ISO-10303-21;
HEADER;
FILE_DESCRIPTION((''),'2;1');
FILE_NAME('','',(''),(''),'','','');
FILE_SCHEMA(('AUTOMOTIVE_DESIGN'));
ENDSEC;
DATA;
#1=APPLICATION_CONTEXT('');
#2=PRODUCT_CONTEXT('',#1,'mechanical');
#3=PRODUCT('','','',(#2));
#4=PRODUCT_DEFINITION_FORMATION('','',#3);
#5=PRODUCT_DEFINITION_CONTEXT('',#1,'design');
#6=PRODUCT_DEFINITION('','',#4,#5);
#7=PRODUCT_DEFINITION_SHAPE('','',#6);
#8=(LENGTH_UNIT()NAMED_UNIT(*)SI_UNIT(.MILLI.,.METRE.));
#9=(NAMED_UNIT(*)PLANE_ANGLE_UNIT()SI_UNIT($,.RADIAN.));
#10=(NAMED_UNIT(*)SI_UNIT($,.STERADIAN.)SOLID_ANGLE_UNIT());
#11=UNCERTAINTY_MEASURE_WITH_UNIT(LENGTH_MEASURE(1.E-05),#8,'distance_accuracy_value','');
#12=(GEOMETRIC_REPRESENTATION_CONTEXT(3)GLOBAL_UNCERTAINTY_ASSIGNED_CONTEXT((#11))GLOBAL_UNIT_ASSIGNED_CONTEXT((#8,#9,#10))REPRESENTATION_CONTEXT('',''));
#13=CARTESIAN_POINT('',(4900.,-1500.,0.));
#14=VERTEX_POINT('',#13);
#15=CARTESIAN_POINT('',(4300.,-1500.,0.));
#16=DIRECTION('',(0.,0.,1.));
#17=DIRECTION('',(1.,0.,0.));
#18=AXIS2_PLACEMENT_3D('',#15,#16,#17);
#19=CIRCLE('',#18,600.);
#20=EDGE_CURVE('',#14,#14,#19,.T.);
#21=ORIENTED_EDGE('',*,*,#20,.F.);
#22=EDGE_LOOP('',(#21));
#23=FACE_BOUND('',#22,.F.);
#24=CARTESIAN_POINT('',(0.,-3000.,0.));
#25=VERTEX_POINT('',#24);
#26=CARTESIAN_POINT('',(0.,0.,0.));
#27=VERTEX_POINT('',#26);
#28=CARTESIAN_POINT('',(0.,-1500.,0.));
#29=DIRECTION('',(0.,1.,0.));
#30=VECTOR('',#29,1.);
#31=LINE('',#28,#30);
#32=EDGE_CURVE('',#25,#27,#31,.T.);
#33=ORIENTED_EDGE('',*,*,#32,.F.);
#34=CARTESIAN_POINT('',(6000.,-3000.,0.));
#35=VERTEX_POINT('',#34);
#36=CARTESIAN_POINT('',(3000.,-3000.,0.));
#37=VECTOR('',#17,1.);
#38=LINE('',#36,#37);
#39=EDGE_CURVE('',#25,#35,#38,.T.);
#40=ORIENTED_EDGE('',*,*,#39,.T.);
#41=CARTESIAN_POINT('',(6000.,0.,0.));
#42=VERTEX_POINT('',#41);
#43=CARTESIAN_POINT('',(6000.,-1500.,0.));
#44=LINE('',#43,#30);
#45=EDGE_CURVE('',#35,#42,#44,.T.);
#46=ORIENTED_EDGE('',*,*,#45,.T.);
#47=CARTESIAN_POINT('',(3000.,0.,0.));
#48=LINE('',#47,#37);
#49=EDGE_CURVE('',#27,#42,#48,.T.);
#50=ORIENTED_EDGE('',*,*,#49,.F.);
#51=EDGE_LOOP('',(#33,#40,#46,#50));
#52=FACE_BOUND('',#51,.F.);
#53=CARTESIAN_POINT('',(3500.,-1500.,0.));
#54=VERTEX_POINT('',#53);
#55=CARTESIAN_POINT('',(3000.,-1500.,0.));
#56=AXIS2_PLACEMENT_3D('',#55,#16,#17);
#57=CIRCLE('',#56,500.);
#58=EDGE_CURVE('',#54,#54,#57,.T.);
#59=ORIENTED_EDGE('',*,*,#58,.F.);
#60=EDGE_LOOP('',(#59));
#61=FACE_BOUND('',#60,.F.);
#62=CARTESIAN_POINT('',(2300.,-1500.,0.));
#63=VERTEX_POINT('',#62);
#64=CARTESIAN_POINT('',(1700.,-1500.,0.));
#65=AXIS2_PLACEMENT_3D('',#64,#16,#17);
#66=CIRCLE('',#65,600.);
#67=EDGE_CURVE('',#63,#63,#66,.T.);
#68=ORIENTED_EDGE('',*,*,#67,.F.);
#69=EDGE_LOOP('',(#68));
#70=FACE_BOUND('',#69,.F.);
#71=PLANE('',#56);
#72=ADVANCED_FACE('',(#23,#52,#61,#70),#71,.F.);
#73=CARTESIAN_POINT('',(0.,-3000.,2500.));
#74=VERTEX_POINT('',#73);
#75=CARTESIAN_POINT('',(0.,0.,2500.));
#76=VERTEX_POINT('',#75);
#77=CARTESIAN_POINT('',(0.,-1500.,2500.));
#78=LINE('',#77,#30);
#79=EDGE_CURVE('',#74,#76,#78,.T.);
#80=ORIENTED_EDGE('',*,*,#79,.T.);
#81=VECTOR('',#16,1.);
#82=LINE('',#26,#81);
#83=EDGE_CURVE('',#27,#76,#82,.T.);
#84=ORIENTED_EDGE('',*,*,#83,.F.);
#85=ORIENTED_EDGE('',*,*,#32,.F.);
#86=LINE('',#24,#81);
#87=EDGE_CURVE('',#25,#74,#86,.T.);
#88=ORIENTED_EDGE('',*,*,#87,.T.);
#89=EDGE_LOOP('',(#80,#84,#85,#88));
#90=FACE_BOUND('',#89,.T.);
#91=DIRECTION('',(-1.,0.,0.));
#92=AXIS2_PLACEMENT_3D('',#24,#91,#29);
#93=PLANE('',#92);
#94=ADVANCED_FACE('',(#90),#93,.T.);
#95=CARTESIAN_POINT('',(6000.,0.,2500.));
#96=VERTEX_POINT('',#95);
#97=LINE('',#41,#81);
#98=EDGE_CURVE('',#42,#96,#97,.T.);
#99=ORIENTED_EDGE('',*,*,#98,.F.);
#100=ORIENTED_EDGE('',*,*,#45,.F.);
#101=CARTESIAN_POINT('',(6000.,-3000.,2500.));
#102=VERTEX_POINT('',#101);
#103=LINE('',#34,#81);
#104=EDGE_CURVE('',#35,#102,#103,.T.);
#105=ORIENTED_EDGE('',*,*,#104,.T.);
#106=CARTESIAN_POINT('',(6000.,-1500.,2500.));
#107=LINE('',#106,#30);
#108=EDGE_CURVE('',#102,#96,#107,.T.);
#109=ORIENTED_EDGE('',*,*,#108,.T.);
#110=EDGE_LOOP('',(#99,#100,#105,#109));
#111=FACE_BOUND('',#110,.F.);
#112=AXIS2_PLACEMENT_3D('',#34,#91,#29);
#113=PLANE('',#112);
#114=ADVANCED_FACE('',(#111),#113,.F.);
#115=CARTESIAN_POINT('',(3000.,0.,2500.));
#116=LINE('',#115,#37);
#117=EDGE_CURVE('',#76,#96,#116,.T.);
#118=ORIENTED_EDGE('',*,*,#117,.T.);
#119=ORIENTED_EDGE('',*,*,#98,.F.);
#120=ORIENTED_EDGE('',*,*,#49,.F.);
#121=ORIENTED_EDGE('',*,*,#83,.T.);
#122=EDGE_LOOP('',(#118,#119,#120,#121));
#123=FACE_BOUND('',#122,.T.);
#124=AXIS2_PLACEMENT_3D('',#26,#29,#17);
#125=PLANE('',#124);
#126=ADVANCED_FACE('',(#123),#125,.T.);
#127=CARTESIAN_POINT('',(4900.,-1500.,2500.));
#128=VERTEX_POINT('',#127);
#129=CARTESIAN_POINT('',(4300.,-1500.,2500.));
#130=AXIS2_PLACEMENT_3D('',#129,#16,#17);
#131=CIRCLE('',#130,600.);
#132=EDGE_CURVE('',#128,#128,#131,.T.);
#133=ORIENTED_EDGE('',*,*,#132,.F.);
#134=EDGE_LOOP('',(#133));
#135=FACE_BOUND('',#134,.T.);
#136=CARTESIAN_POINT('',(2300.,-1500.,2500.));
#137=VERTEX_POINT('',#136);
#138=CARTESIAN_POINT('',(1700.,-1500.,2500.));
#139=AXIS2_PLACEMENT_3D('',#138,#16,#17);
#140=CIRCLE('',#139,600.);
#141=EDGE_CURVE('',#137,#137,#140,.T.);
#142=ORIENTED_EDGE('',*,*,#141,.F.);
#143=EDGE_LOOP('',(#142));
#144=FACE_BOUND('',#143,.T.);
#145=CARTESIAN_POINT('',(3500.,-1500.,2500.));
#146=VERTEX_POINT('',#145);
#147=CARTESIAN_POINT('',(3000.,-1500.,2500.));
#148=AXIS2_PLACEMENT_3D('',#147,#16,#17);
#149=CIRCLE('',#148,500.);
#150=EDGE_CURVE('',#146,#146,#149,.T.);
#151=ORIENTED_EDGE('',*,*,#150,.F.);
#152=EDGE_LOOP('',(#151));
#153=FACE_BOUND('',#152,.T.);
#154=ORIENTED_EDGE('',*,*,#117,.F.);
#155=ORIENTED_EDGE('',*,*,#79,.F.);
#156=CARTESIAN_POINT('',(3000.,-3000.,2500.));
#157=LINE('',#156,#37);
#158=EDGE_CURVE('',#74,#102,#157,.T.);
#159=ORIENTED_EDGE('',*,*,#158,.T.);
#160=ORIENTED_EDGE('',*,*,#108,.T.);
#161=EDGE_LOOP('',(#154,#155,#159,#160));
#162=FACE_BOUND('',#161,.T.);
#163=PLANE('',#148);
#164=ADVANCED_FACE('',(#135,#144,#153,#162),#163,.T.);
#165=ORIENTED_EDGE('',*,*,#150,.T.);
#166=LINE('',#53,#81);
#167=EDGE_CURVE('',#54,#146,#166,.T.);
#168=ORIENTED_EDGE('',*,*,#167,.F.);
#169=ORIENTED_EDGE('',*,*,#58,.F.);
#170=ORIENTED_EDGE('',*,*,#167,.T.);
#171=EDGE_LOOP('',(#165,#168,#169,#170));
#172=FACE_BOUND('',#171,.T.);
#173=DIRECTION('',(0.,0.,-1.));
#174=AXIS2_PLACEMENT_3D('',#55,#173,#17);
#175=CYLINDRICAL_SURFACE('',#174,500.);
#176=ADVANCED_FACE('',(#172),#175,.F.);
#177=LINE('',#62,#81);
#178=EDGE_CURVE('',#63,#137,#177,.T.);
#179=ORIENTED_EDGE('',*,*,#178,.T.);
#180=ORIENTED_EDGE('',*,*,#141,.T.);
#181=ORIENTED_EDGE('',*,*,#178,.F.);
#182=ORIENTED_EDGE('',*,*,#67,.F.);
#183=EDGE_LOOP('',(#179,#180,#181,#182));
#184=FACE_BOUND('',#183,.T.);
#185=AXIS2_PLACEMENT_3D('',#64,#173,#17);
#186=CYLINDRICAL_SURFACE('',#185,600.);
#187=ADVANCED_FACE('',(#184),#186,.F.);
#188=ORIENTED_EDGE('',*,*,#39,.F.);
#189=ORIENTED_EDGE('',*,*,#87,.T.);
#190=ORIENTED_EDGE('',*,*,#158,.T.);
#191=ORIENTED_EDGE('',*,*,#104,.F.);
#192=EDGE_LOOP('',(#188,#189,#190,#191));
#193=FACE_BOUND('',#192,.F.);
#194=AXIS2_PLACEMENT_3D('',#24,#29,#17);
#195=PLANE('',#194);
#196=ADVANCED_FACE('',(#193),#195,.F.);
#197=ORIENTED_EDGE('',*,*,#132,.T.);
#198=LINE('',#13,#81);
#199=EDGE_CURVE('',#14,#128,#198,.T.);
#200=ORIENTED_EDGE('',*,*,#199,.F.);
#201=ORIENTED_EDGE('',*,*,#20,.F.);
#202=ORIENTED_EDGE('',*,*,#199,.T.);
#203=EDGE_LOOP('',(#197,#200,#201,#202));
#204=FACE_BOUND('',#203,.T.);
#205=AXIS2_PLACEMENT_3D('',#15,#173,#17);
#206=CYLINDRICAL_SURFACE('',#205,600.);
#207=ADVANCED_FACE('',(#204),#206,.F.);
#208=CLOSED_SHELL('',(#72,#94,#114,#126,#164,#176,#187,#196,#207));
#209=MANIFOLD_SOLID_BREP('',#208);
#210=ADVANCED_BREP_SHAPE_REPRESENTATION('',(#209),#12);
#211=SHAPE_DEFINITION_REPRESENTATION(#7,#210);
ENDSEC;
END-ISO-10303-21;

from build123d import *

# Parameters (mm, degrees)
SKETCH_W   = 6000
SKETCH_H   = 3000
SKETCH_R   = 600
SKETCH_R_2 = 500
PAD_DEPTH  = 2500


with BuildPart() as part:
    # Sketch → Pad (new body)
    with BuildSketch(Plane.XY):
        with Locations((3000, -1500)):
            Rectangle(SKETCH_W, SKETCH_H)
        with Locations((1700, -1500)):
            Circle(SKETCH_R, mode=Mode.SUBTRACT)
        with Locations((4300, -1500)):
            Circle(SKETCH_R, mode=Mode.SUBTRACT)
        with Locations((3000, -1500)):
            Circle(SKETCH_R_2, mode=Mode.SUBTRACT)
    extrude(amount=PAD_DEPTH)


solid = part.part
